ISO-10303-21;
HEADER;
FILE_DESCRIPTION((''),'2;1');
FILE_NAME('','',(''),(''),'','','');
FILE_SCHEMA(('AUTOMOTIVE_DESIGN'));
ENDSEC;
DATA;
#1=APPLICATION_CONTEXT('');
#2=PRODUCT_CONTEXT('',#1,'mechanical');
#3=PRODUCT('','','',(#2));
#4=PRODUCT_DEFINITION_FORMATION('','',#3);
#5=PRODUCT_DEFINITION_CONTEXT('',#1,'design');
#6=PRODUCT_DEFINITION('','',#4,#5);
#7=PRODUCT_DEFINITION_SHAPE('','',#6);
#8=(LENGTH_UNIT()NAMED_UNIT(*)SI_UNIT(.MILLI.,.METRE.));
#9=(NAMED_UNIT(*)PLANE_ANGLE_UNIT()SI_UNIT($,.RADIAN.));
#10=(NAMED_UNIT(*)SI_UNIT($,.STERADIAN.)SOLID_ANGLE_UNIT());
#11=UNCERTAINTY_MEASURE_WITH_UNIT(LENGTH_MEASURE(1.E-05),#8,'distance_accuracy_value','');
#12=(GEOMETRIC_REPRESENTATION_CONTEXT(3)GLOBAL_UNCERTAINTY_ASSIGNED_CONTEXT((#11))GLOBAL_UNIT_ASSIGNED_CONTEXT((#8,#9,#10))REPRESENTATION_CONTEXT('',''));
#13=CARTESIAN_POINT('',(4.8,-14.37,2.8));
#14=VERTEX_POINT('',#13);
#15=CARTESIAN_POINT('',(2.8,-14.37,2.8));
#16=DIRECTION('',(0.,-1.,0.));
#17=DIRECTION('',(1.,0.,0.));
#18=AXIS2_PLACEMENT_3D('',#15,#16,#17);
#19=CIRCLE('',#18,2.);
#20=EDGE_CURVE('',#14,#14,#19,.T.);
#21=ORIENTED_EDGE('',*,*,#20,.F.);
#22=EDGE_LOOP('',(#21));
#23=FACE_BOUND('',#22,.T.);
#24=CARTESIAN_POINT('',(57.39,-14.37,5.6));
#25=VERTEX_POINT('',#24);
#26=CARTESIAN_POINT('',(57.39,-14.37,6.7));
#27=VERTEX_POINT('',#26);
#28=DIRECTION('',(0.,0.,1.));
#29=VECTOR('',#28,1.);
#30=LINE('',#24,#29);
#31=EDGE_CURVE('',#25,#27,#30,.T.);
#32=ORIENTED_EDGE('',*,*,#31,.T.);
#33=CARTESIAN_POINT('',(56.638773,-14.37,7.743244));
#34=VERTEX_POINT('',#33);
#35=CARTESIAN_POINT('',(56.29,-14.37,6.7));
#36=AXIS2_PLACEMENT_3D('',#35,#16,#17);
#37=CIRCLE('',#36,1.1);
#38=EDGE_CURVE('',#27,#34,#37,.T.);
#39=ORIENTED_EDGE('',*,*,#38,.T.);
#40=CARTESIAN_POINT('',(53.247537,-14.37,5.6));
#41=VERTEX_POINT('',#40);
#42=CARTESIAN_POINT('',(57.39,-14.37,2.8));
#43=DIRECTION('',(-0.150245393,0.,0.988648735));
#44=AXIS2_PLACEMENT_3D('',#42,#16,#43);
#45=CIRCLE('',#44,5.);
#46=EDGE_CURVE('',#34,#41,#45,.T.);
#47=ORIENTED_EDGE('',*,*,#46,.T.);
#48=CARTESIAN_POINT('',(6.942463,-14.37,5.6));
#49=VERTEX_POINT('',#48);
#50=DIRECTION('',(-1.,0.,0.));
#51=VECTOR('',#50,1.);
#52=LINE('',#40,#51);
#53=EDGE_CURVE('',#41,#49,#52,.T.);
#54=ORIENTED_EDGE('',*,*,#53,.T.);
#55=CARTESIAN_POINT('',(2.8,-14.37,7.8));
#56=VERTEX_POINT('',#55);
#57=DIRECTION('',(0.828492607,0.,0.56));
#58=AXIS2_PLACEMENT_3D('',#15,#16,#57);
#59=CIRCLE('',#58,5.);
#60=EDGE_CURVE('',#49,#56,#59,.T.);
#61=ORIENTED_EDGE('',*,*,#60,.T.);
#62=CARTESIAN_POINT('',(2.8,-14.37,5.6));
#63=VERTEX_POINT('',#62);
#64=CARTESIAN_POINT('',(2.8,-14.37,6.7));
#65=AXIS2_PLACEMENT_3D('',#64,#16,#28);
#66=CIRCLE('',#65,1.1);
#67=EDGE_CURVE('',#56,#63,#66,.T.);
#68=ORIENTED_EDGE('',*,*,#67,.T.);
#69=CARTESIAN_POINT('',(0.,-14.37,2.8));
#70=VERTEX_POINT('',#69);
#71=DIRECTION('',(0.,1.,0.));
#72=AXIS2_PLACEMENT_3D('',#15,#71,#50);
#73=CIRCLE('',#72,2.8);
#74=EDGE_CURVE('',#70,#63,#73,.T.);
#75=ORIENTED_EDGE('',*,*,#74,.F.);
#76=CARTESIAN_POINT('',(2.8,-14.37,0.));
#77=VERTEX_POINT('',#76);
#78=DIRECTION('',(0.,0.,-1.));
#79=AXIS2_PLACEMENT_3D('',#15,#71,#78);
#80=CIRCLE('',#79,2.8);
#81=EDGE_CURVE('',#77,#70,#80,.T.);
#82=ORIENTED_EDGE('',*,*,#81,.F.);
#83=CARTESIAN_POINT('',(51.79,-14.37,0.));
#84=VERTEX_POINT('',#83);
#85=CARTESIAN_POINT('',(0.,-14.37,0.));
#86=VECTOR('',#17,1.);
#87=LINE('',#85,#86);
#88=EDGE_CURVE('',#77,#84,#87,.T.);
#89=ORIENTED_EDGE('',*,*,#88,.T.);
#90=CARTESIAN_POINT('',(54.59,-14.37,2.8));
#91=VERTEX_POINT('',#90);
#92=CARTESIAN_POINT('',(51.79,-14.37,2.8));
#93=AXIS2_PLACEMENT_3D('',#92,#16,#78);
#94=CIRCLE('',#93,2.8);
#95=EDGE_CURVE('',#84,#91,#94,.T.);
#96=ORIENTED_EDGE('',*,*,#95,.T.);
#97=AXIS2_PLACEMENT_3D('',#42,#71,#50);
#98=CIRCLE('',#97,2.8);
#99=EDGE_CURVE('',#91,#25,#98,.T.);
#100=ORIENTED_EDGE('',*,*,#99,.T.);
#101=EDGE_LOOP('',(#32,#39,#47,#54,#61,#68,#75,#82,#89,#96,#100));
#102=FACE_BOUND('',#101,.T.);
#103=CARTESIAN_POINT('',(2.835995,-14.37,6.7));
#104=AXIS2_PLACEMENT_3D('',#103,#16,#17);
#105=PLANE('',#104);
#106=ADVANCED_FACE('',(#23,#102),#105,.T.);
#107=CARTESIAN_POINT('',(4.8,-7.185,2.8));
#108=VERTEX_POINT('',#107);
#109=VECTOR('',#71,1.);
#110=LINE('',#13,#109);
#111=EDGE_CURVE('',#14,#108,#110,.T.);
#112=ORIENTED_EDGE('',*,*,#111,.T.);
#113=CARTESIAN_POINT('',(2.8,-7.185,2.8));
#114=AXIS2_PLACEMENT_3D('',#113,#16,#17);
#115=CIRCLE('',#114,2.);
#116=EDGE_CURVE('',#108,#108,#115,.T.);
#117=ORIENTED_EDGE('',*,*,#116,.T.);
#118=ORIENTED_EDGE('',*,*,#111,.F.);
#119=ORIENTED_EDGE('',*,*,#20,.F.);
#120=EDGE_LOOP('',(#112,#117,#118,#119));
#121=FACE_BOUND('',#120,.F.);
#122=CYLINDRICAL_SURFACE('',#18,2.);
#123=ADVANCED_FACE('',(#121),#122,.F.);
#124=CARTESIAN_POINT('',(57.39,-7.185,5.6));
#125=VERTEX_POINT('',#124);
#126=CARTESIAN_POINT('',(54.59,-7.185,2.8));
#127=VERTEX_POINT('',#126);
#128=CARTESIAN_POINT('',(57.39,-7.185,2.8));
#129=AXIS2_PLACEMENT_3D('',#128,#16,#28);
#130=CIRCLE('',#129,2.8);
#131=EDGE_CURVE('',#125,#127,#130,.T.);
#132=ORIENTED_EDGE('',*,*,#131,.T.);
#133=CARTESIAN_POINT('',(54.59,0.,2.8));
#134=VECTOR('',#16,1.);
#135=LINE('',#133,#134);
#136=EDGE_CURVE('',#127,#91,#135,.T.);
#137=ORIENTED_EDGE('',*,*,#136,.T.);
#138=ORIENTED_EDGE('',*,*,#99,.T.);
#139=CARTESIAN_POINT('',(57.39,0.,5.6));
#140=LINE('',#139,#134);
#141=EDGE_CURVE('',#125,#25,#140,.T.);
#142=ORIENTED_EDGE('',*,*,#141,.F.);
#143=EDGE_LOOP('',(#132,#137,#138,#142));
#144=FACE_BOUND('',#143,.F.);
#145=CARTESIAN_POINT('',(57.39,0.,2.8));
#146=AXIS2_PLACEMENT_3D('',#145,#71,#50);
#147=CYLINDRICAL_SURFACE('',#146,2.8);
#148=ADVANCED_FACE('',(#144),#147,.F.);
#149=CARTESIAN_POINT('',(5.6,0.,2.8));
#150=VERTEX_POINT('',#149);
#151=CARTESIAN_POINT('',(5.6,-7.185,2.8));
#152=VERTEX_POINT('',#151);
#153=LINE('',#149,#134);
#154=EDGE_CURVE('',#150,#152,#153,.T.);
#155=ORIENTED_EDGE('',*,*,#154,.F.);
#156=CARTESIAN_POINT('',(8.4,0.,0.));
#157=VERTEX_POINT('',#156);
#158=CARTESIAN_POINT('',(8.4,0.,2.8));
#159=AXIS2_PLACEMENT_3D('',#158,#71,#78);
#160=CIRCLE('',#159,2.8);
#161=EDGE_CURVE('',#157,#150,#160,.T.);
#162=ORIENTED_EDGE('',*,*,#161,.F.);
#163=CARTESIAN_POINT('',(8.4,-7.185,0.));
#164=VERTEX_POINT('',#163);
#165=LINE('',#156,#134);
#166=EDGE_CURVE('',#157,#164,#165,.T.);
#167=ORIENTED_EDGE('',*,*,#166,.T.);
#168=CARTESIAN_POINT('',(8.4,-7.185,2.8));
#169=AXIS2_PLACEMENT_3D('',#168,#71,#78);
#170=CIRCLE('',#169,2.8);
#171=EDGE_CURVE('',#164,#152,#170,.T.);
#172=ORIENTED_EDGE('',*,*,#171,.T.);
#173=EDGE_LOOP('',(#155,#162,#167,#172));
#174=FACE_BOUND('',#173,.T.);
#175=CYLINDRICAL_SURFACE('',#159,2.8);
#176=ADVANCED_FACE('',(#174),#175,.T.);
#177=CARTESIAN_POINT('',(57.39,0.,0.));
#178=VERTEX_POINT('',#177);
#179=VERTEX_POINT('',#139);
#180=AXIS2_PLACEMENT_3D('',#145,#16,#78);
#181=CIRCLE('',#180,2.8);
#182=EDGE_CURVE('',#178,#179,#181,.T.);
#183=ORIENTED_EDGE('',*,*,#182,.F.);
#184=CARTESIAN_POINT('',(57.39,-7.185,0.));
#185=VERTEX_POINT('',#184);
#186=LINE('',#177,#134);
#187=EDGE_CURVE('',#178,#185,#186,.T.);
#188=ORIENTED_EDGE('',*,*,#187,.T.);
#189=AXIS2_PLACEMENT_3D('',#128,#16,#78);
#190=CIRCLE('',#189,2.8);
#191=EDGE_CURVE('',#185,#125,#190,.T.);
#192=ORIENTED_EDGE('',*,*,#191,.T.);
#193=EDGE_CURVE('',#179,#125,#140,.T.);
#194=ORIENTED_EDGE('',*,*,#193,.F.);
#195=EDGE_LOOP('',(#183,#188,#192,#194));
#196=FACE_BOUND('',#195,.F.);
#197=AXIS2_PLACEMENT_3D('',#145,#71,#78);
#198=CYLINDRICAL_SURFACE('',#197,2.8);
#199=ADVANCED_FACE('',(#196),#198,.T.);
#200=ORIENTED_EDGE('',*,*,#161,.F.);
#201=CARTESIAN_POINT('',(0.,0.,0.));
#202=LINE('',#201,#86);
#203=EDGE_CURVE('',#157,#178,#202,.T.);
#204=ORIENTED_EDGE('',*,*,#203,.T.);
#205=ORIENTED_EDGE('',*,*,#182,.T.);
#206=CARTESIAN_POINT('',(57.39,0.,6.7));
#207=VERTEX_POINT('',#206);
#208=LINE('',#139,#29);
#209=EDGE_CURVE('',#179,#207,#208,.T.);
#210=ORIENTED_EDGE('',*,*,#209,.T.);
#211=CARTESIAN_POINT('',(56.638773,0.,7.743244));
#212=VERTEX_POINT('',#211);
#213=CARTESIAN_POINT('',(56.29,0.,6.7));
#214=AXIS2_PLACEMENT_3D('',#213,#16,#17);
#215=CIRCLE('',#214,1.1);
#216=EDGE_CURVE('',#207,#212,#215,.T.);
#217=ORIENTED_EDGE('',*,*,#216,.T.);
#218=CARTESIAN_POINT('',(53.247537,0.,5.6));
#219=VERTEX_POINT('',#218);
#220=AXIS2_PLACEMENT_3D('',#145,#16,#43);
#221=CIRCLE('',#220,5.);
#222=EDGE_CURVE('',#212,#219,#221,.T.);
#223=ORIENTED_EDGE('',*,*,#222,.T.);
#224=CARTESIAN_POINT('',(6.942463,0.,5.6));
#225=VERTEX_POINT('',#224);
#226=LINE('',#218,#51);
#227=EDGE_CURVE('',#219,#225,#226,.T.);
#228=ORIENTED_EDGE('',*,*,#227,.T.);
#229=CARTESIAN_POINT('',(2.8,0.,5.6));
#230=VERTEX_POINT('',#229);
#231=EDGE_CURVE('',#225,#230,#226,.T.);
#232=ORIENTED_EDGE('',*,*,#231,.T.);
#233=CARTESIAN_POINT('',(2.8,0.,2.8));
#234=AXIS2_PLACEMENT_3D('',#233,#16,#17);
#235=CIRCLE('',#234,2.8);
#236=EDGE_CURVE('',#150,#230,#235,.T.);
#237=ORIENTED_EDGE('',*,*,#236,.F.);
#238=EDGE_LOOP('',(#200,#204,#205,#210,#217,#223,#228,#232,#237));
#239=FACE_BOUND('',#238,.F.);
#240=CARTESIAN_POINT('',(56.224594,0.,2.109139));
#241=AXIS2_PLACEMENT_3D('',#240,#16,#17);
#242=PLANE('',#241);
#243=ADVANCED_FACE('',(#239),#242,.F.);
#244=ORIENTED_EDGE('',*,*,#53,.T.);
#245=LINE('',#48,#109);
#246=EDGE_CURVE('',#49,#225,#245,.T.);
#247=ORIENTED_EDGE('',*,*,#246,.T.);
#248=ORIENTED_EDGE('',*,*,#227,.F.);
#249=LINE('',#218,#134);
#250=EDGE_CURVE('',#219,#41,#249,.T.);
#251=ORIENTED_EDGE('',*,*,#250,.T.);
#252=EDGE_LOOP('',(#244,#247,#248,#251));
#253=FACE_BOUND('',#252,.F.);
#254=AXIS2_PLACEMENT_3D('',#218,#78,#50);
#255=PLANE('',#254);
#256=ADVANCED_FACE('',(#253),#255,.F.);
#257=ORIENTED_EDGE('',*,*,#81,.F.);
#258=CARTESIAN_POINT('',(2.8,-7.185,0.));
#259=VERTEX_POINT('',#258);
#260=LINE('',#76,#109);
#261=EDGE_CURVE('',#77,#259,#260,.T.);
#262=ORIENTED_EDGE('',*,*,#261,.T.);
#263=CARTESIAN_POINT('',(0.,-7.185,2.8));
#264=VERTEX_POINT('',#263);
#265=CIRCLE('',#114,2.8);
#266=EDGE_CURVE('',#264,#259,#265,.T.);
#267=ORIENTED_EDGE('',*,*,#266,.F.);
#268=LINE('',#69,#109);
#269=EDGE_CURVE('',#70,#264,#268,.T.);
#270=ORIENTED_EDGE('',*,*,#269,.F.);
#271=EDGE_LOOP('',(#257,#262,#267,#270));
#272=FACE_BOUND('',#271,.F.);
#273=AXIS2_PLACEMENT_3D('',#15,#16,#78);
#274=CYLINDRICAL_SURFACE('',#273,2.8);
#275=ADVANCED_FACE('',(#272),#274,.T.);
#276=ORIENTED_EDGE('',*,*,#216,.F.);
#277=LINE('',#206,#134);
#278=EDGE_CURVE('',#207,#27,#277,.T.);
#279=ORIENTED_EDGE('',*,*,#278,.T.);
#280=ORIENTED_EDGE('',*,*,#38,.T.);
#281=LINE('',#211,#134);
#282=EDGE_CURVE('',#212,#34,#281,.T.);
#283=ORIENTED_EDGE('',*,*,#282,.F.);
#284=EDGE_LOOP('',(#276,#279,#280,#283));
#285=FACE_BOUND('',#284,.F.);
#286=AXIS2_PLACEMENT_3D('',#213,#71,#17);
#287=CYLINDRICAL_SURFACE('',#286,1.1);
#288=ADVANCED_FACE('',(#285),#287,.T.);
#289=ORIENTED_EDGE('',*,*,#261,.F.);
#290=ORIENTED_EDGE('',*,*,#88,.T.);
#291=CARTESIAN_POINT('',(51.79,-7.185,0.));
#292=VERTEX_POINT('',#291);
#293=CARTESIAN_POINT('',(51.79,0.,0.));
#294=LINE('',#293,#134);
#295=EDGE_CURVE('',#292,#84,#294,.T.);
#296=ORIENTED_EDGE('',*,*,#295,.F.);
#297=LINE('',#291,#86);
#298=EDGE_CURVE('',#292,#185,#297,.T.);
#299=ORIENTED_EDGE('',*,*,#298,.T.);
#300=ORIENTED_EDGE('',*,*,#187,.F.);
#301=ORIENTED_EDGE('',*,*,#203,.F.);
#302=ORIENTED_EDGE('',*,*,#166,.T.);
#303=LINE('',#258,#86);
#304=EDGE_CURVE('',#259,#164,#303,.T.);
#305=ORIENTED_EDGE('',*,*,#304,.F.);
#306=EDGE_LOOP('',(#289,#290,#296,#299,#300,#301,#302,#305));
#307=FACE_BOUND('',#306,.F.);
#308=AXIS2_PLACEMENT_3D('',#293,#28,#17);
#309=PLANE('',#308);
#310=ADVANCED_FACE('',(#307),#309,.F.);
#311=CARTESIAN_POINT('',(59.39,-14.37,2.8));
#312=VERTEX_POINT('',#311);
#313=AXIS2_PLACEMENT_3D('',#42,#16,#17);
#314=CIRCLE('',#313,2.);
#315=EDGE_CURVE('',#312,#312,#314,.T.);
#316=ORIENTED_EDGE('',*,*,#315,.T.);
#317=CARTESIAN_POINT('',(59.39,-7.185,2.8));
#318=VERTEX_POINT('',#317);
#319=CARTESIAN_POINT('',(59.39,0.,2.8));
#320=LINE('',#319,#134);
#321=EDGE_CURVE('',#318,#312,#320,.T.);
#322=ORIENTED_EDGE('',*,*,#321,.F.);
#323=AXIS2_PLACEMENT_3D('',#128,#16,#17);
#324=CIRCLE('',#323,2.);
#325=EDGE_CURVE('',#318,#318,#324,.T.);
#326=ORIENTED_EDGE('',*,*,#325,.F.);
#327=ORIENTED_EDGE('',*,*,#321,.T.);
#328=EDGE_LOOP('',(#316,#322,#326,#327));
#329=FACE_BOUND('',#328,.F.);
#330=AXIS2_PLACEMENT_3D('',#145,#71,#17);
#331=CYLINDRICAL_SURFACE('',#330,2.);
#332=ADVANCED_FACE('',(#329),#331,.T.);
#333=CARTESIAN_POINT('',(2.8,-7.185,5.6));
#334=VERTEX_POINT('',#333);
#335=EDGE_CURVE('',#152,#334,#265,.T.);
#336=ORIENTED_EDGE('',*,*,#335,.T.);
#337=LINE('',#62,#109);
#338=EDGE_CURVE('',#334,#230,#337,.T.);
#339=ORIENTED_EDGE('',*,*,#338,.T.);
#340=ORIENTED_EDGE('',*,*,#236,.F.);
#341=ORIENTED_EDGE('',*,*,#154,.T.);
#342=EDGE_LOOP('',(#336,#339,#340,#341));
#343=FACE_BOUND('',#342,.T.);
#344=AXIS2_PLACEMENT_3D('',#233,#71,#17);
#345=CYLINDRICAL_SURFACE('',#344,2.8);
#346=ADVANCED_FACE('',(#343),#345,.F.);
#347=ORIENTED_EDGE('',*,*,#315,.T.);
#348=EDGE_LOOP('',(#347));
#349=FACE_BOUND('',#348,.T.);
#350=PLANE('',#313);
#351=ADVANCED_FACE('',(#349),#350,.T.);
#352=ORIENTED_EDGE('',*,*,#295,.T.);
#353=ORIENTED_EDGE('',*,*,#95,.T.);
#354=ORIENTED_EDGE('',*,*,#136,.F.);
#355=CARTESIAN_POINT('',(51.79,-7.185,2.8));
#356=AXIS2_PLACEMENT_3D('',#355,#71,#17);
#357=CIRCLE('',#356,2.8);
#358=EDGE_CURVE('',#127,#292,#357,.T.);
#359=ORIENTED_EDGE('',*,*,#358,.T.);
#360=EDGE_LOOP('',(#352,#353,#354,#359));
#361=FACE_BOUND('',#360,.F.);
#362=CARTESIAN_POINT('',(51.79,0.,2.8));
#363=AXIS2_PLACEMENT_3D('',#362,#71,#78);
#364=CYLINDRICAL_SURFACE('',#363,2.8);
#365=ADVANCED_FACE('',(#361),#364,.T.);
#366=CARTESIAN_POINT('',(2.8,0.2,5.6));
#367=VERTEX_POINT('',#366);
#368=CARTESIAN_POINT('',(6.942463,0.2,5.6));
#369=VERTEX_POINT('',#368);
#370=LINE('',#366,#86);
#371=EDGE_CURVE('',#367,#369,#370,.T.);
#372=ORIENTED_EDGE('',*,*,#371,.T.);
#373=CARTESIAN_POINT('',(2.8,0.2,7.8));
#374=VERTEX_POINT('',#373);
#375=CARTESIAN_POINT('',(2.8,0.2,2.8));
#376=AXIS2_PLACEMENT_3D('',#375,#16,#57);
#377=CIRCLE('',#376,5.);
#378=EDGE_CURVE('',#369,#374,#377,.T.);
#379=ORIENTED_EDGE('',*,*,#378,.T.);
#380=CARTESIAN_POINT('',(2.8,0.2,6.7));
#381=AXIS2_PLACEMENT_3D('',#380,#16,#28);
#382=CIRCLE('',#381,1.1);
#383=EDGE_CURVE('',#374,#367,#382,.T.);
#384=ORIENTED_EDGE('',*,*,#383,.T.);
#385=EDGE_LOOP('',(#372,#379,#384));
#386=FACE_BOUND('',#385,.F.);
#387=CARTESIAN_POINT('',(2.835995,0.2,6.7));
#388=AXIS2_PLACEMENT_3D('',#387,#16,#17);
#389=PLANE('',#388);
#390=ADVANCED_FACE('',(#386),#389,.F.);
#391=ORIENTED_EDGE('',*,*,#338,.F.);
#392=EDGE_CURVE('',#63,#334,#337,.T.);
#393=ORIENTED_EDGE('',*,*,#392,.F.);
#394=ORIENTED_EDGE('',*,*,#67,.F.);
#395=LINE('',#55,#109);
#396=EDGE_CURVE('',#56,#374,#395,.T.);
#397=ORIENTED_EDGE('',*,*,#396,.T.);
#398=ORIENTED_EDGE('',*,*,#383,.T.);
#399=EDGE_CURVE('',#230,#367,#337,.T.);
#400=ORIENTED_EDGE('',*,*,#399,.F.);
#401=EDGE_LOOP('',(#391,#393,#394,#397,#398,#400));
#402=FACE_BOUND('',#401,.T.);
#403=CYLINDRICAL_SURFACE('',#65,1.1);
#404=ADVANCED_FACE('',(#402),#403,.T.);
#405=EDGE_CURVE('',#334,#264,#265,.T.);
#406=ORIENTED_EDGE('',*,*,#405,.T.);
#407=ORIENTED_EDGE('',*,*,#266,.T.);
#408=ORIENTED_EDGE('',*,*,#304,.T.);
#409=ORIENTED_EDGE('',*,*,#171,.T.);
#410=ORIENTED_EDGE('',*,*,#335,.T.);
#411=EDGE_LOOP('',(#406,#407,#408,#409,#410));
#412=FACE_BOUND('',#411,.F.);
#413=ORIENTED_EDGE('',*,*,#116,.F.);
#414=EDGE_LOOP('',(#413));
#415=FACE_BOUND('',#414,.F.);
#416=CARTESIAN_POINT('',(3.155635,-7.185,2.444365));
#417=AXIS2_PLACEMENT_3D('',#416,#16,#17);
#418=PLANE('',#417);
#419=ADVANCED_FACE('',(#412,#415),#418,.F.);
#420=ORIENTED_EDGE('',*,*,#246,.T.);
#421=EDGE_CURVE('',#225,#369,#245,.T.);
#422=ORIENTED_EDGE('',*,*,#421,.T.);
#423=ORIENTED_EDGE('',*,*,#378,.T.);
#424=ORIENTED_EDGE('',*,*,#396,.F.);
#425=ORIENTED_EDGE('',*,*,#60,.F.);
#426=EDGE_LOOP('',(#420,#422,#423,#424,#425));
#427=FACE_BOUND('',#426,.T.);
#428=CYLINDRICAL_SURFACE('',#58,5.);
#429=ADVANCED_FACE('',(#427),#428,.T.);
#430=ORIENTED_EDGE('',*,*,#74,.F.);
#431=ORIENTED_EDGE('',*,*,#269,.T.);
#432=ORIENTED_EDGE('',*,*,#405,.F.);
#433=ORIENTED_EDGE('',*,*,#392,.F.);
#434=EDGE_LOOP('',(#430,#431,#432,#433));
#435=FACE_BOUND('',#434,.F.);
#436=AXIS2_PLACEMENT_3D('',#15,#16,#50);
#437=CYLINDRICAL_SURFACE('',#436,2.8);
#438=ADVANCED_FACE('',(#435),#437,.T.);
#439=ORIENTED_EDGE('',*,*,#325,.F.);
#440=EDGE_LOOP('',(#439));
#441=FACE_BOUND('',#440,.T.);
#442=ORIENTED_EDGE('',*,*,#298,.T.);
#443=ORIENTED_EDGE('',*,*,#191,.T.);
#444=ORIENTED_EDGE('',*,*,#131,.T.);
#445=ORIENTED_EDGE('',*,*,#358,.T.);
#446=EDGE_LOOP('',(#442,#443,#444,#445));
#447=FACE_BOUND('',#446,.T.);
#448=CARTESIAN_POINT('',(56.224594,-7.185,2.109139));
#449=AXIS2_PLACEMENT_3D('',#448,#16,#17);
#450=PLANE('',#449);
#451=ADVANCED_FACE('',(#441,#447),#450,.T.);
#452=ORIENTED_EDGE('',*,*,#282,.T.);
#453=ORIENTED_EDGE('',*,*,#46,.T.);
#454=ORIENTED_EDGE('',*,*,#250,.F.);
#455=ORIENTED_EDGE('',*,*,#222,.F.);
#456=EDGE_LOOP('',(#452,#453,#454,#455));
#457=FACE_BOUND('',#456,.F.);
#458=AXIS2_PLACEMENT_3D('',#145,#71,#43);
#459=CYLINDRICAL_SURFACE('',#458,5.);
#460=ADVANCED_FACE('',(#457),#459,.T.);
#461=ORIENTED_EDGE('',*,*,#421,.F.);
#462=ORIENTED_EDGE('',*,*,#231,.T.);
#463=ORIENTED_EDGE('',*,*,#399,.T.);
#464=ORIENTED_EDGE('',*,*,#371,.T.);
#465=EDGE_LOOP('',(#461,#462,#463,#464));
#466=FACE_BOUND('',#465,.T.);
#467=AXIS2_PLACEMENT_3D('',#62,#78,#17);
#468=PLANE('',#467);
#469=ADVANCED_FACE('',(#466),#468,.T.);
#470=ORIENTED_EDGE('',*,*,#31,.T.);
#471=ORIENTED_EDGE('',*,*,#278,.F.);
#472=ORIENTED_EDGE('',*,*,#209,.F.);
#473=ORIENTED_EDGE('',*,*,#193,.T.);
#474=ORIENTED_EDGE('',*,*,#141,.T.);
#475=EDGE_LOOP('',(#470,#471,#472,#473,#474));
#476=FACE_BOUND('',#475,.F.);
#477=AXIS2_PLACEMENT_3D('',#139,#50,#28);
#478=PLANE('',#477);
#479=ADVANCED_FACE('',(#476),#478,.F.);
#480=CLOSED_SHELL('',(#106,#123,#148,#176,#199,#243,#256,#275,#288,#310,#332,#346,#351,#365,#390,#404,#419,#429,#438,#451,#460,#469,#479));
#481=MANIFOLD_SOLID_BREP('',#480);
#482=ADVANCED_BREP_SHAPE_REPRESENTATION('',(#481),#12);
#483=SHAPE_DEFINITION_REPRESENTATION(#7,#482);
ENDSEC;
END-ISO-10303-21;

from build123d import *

# Parameters (mm, degrees)
F1_DEPTH = 14.37
F0_R     = 2
F2_DEPTH = 7.185
F4_DEPTH = 14.57
F3_R     = 2
F5_DEPTH = 14.37
F7_DEPTH = 7.185


with BuildPart() as f1:
    # F0 (on Front) → F1 (new body)
    with BuildSketch(Plane.XZ):
        with BuildLine():
            Line((0, 5.6), (0, 0))
            Line((0, 0), (51.79, 0))
            ThreePointArc((51.79, 0), (53.7698989873, 0.8201010127), (54.59, 2.8))
            ThreePointArc((54.59, 2.8), (55.4101010127, 4.7798989873), (57.39, 5.6))
            Line((57.39, 5.6), (57.39, 6.7))
            ThreePointArc((57.39, 6.7), (57.1826506427, 7.3427867688), (56.6387730361, 7.7432436768))
            ThreePointArc((56.6387730361, 7.7432436768), (54.7187785908, 7.0266507051), (53.2475369646, 5.6))
            Line((53.2475369646, 5.6), (0, 5.6))
        make_face()
    extrude(amount=F1_DEPTH)



with BuildPart() as f1b:
    # F0 (on Front) → F1, piece 2 (new body)
    with BuildSketch(Plane.XZ):
        with Locations((57.39, 2.8)):
            Circle(F0_R)
    extrude(amount=F1_DEPTH)


with BuildPart() as f1_1:
    add(f1.part)

    add(f1b.part)  # F2 merges F1b
    # F0 (on Front) → F2 (join)
    with BuildSketch(Plane.XZ):
        with BuildLine():
            ThreePointArc((54.59, 2.8), (53.7698989873, 0.8201010127), (51.79, 0))
            Line((51.79, 0), (57.39, 0))
            ThreePointArc((57.39, 0), (60.19, 2.8), (57.39, 5.6))
            ThreePointArc((57.39, 5.6), (55.4101010127, 4.7798989873), (54.59, 2.8))
        make_face()
        with Locations((57.39, 2.8)):
            Circle(F0_R, mode=Mode.SUBTRACT)
    extrude(amount=F2_DEPTH)

    # F3 (on face) → F4 (join)
    with BuildSketch(Plane.XZ.offset(14.37)):
        with BuildLine():
            ThreePointArc((2.8, 7.8), (1.7, 6.6999999984), (2.8000000032, 5.6))
            ThreePointArc((2.8000000032, 5.6), (3.5778174604, 5.9221825418), (3.9, 6.7))
            ThreePointArc((3.9, 6.7), (3.5778174593, 7.4778174593), (2.8, 7.8))
        make_face()
        with BuildLine():
            ThreePointArc((3.9, 6.7), (3.5778174604, 5.9221825418), (2.8000000032, 5.6))
            Line((2.8000000032, 5.6), (6.9424630354, 5.6))
            ThreePointArc((6.9424630354, 5.6), (5.1452078799, 7.2158804332), (2.8, 7.8))
            ThreePointArc((2.8, 7.8), (3.5778174593, 7.4778174593), (3.9, 6.7))
        make_face()
    extrude(amount=-F4_DEPTH)

    # F3 (on face) → F5 (cut)
    with BuildSketch(Plane.XZ.offset(14.37)):
        with BuildLine():
            ThreePointArc((0, 2.8), (0.8201010138, 4.7798989885), (2.8000000032, 5.6))
            Line((2.8000000032, 5.6), (0, 5.6))
            Line((0, 5.6), (0, 2.8))
        make_face()
        with BuildLine():
            Line((0, 0), (2.8, 0))
            ThreePointArc((2.8, 0), (0.8201010127, 0.8201010127), (0, 2.8))
            Line((0, 2.8), (0, 0))
        make_face()
        with Locations((2.8, 2.8)):
            Circle(F3_R)
    extrude(amount=-F5_DEPTH, mode=Mode.SUBTRACT)

    # F6 (on face) → F7 (cut)
    with BuildSketch(Plane.XZ):
        with BuildLine():
            Line((5.6, 0), (5.6, 2.8))
            ThreePointArc((5.6, 2.8), (0.8201010127, 4.7798989873), (2.8, 0))
            Line((2.8, 0), (5.6, 0))
        make_face()
        with BuildLine():
            ThreePointArc((8.4, 0), (6.4201010127, 0.8201010127), (5.6, 2.8))
            Line((5.6, 2.8), (5.6, 0))
            Line((5.6, 0), (8.4, 0))
        make_face()
    extrude(amount=F7_DEPTH, mode=Mode.SUBTRACT)


solid = f1_1.part
